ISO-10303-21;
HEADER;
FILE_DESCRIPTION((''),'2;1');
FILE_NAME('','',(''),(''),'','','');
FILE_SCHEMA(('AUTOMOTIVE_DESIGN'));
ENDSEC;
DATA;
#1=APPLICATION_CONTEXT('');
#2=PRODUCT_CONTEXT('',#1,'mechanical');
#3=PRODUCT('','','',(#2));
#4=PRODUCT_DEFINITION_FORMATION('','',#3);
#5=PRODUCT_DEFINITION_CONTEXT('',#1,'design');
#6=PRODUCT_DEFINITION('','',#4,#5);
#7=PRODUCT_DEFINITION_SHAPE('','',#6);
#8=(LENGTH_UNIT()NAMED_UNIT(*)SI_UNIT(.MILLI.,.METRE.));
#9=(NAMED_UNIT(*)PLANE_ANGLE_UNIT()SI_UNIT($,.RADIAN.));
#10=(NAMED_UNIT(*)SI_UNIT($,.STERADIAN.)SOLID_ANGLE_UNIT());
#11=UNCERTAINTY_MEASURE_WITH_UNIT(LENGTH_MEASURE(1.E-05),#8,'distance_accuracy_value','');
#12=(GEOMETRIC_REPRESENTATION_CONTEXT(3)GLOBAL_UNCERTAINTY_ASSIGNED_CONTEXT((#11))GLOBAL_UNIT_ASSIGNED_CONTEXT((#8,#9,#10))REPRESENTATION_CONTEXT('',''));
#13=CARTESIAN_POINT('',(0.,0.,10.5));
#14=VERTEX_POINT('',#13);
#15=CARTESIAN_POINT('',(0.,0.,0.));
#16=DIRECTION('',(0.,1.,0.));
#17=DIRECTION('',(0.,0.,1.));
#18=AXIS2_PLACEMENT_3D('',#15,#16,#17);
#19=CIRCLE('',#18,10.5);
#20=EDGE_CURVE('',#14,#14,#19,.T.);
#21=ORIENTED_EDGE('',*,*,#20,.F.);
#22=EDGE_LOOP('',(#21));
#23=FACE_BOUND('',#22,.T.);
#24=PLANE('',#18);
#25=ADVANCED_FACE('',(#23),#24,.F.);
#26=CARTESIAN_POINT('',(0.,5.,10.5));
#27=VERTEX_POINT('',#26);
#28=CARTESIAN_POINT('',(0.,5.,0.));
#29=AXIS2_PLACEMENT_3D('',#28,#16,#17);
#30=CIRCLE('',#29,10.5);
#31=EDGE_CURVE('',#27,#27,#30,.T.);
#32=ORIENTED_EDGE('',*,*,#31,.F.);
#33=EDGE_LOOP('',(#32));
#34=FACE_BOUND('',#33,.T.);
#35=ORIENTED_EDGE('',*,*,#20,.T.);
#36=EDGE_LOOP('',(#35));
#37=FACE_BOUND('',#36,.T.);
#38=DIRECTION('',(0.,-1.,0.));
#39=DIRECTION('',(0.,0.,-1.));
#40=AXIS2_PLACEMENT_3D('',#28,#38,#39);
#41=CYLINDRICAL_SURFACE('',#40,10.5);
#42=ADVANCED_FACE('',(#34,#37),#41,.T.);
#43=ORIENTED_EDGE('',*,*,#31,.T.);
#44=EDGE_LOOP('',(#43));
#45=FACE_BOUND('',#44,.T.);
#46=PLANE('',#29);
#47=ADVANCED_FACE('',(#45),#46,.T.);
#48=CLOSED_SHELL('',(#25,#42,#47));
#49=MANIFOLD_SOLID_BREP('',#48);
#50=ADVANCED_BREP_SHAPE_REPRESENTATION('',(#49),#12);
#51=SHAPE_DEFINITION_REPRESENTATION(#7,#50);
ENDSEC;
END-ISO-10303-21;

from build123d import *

# Parameters (mm, degrees)
SKETCH_1_R      = 10.5
EXTRUDE_1_DEPTH = 5


with BuildPart() as part:
    # 草圖1 → 填料-伸長1 (new body)
    with BuildSketch(Plane(origin=(0, 0, 0), x_dir=(1, 0, 0), z_dir=(0, 1, 0))):
        with Locations(Location((0, 0, 0), (0, 0, 270))):
            Circle(SKETCH_1_R)
    extrude(amount=EXTRUDE_1_DEPTH)


solid = part.part
